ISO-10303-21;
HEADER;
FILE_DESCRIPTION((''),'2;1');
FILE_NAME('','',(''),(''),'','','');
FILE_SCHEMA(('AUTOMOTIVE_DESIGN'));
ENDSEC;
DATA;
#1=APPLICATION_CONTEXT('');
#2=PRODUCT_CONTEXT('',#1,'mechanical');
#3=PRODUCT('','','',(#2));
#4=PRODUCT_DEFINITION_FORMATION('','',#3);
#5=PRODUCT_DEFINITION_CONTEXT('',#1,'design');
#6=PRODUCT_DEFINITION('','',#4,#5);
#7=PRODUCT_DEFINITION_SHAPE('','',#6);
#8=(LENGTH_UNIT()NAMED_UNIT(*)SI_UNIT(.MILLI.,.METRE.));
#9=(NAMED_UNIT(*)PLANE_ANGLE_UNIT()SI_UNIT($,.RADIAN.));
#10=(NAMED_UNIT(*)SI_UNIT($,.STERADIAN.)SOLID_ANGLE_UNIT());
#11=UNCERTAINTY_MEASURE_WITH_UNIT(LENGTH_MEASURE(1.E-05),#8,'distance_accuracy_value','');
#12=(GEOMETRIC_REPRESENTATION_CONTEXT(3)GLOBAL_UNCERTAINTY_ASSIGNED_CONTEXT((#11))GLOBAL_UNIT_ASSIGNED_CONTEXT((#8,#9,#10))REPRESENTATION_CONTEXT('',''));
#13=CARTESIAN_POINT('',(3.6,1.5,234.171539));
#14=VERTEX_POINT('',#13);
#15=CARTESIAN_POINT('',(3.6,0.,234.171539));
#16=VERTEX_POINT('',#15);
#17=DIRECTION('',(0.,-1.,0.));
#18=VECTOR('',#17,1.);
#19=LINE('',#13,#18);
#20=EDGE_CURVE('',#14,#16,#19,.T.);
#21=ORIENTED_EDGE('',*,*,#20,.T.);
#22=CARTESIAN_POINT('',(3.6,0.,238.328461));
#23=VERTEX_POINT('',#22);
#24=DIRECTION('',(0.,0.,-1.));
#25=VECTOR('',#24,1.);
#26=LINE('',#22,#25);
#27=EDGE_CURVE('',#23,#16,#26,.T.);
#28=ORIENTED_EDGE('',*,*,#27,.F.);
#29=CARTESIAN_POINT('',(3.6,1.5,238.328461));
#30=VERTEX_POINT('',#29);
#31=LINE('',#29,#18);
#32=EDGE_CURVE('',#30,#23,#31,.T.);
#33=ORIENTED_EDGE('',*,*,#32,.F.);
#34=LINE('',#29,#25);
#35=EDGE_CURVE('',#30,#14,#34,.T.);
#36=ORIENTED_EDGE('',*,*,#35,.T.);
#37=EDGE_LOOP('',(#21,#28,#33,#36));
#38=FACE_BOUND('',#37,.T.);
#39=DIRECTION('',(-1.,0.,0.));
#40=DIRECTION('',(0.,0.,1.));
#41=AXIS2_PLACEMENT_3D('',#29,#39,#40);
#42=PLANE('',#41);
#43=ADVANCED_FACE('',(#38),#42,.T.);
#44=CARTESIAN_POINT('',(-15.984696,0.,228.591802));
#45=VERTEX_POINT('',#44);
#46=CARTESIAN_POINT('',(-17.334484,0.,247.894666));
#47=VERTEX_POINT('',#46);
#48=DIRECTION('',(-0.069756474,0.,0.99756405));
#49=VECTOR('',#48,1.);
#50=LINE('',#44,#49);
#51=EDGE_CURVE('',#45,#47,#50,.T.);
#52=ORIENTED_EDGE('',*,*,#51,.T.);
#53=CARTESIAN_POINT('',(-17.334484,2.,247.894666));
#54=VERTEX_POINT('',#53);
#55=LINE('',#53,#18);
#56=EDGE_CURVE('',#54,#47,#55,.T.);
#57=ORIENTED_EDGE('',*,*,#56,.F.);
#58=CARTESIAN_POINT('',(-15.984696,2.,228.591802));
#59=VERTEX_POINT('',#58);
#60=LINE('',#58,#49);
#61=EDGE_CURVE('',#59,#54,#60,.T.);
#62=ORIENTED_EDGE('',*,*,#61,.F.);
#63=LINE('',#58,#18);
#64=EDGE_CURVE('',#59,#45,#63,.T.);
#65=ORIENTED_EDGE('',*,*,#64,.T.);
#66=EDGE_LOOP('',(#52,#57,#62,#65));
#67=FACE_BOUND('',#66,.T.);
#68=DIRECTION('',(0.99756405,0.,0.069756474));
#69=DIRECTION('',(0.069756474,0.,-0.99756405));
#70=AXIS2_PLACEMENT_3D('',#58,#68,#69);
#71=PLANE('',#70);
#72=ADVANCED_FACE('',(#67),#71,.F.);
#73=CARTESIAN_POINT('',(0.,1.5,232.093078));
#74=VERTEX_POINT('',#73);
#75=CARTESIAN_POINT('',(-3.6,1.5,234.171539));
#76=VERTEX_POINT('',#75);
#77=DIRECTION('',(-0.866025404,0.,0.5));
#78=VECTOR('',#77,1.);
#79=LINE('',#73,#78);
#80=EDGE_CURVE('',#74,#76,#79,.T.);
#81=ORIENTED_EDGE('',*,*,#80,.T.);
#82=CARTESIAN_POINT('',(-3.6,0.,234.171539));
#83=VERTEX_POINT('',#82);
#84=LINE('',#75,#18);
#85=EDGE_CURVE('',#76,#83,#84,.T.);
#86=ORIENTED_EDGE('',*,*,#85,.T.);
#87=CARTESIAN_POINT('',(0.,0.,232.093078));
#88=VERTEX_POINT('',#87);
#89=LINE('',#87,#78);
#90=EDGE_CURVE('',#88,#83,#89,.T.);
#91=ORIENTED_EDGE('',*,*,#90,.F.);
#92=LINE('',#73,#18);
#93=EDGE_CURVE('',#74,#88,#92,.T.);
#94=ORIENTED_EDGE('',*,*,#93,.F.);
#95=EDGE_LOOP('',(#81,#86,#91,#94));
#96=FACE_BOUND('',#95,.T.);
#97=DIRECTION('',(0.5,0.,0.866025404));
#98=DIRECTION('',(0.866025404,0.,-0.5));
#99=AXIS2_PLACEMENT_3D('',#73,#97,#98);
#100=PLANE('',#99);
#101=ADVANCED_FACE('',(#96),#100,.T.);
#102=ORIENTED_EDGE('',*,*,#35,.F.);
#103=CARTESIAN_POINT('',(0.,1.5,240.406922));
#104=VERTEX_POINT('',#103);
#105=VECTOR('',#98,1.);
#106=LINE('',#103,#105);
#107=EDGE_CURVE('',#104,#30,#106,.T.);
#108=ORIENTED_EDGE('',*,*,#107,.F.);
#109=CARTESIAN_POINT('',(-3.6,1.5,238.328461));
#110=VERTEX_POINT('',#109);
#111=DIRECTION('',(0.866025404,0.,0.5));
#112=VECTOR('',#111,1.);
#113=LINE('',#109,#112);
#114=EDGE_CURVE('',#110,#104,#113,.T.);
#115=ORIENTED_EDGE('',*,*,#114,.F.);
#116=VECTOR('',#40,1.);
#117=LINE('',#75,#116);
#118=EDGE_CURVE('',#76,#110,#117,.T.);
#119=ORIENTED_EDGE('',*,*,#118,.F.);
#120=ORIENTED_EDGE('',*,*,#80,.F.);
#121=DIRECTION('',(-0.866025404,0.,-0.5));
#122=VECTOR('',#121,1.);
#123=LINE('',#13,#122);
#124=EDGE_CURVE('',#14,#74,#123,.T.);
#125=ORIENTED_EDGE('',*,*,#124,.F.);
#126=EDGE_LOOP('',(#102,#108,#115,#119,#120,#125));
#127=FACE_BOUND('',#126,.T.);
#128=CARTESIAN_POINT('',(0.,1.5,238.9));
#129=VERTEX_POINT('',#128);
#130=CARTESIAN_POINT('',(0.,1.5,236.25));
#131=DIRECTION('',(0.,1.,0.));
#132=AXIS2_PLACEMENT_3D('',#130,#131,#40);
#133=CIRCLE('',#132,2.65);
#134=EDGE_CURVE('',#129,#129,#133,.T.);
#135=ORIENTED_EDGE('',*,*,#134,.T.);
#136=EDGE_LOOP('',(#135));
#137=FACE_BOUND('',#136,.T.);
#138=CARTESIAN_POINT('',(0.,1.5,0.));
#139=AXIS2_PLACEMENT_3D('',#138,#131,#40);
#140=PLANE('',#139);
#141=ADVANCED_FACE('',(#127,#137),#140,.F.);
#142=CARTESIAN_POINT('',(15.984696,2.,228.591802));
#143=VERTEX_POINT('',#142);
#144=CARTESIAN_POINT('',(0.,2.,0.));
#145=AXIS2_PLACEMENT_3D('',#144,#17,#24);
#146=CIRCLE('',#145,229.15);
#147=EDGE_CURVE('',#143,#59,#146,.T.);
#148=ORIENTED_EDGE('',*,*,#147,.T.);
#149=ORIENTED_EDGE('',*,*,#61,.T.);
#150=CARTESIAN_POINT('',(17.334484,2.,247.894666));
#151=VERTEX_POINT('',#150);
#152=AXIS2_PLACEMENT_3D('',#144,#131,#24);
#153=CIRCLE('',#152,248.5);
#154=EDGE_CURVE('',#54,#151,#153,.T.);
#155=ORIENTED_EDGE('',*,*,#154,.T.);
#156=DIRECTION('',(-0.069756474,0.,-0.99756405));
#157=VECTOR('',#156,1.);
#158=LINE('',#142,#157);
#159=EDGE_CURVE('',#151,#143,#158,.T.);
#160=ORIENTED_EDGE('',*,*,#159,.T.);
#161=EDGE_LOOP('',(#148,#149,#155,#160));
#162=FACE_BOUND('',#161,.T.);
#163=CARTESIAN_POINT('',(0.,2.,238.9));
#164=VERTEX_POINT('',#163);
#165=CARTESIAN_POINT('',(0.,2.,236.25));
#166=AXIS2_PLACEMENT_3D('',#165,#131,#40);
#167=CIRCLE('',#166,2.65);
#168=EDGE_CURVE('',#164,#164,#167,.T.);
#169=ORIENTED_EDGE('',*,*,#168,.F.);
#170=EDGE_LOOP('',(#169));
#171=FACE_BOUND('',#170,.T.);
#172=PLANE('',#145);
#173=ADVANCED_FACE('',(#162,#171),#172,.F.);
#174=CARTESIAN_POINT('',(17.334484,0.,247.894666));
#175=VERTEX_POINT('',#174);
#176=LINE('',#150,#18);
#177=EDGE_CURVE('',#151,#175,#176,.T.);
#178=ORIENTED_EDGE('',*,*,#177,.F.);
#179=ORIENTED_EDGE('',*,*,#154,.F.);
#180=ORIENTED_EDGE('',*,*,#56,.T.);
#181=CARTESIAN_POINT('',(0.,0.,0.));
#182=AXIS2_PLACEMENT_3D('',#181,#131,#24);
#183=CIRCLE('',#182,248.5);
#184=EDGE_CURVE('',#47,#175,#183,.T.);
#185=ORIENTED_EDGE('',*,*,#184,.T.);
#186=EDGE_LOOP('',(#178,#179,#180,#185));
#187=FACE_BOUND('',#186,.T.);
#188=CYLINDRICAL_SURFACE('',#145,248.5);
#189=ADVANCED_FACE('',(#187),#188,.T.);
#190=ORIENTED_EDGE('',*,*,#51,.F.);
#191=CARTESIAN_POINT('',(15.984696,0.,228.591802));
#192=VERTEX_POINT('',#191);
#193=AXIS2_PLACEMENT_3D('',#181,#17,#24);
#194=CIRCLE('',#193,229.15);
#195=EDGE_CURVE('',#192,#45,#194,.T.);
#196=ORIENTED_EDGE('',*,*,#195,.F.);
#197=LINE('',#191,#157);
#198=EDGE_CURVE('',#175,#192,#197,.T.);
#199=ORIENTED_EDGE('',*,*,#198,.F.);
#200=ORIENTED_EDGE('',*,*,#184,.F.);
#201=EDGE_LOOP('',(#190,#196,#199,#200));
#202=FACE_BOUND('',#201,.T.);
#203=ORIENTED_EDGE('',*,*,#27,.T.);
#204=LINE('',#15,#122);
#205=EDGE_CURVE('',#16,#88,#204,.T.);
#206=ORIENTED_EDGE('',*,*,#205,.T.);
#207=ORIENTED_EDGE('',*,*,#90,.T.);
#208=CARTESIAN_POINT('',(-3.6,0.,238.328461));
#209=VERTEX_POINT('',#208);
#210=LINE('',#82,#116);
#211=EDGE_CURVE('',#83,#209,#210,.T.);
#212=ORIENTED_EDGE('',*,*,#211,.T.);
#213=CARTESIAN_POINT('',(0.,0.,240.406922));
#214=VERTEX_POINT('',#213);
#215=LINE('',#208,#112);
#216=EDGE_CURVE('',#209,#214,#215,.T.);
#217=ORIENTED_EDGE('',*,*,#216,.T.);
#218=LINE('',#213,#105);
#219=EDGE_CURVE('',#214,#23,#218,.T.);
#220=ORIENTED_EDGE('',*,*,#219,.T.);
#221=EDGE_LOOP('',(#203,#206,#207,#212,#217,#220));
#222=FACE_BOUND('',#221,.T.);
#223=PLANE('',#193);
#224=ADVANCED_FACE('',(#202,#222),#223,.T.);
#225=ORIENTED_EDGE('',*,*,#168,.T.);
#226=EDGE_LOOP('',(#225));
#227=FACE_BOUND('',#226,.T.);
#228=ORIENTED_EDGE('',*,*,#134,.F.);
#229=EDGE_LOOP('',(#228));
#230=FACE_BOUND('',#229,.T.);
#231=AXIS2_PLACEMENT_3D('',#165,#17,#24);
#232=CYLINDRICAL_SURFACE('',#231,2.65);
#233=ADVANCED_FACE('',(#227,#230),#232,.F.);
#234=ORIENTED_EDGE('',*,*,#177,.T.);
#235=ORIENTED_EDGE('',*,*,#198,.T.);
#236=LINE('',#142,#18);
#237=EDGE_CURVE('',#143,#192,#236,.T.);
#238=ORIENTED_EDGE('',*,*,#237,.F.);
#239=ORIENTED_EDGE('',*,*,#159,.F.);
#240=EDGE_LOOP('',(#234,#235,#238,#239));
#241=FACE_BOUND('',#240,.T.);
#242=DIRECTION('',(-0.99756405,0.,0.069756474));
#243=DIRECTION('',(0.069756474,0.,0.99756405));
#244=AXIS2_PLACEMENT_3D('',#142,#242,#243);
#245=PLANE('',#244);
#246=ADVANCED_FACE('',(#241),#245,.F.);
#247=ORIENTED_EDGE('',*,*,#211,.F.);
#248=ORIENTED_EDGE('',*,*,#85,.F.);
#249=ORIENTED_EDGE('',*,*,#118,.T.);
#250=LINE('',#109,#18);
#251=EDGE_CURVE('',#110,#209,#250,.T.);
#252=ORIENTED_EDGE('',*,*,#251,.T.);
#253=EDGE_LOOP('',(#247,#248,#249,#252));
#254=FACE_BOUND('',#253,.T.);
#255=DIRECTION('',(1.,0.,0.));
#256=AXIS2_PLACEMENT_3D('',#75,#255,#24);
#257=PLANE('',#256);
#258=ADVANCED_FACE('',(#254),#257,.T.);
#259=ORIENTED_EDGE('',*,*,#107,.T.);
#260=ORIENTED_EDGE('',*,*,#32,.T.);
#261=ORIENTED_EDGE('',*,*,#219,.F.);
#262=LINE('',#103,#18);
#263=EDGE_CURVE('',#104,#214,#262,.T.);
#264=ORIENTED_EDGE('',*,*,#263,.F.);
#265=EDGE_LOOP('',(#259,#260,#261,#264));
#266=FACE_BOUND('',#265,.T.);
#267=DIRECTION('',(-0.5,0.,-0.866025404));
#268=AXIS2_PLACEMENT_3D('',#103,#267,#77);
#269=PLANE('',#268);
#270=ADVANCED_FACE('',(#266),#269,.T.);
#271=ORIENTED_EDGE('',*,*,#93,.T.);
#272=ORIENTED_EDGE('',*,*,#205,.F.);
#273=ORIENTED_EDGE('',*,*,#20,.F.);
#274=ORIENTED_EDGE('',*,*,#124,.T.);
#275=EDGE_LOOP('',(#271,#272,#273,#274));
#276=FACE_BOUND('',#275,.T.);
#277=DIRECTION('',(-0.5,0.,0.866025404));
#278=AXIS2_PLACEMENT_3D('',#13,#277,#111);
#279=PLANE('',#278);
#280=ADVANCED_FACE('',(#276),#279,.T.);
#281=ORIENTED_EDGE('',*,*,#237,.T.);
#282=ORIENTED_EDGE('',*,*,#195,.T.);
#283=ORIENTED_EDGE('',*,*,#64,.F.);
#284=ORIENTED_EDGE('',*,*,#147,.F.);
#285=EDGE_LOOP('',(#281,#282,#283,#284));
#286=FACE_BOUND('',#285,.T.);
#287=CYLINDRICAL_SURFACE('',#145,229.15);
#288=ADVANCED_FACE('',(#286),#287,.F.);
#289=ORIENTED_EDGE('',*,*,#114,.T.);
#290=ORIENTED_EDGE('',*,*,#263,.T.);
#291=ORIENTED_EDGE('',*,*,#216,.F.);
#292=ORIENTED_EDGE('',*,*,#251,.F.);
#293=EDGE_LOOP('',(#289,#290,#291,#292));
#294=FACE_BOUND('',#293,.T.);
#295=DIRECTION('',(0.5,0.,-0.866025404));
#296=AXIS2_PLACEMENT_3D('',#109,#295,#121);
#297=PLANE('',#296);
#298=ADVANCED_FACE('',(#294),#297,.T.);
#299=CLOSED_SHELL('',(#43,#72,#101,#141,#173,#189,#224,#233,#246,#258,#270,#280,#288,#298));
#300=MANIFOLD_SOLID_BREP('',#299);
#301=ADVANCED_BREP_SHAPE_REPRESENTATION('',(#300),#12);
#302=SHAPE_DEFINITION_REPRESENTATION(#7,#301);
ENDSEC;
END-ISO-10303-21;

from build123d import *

# Parameters (mm, degrees)
SKETCH2_R           = 2.65
BOSS_EXTRUDE1_DEPTH = 2
CUT_EXTRUDE1_DEPTH  = 1.5


with BuildPart() as part:
    # Sketch2 → Boss-Extrude1 (new body)
    with BuildSketch(Plane(origin=(0, 0, 0), x_dir=(1, 0, 0), z_dir=(0, 1, 0))):
        with BuildLine():
            Line((-15.984695958, -228.591802117), (-17.334483725, -247.89466649))
            ThreePointArc((-17.334483725, -247.89466649), (0, -248.5), (17.334483725, -247.89466649))
            Line((17.334483725, -247.89466649), (15.984695958, -228.591802117))
            ThreePointArc((15.984695958, -228.591802117), (0, -229.15), (-15.984695958, -228.591802117))
        make_face()
        with Locations(Location((0, -236.25, 0), (0, 0, 270))):
            Circle(SKETCH2_R, mode=Mode.SUBTRACT)
    extrude(amount=BOSS_EXTRUDE1_DEPTH)

    # Sketch3 → Cut-Extrude1 (cut)
    with BuildSketch(Plane(origin=(0, 0, 0), x_dir=(1, 0, 0), z_dir=(0, 1, 0))):
        Polygon((0, -240.406921938), (3.6, -238.328460969), (3.6, -234.171539031), (0, -232.093078062), (-3.6, -234.171539031), (-3.6, -238.328460969), align=None)
    extrude(amount=CUT_EXTRUDE1_DEPTH, mode=Mode.SUBTRACT)


solid = part.part
